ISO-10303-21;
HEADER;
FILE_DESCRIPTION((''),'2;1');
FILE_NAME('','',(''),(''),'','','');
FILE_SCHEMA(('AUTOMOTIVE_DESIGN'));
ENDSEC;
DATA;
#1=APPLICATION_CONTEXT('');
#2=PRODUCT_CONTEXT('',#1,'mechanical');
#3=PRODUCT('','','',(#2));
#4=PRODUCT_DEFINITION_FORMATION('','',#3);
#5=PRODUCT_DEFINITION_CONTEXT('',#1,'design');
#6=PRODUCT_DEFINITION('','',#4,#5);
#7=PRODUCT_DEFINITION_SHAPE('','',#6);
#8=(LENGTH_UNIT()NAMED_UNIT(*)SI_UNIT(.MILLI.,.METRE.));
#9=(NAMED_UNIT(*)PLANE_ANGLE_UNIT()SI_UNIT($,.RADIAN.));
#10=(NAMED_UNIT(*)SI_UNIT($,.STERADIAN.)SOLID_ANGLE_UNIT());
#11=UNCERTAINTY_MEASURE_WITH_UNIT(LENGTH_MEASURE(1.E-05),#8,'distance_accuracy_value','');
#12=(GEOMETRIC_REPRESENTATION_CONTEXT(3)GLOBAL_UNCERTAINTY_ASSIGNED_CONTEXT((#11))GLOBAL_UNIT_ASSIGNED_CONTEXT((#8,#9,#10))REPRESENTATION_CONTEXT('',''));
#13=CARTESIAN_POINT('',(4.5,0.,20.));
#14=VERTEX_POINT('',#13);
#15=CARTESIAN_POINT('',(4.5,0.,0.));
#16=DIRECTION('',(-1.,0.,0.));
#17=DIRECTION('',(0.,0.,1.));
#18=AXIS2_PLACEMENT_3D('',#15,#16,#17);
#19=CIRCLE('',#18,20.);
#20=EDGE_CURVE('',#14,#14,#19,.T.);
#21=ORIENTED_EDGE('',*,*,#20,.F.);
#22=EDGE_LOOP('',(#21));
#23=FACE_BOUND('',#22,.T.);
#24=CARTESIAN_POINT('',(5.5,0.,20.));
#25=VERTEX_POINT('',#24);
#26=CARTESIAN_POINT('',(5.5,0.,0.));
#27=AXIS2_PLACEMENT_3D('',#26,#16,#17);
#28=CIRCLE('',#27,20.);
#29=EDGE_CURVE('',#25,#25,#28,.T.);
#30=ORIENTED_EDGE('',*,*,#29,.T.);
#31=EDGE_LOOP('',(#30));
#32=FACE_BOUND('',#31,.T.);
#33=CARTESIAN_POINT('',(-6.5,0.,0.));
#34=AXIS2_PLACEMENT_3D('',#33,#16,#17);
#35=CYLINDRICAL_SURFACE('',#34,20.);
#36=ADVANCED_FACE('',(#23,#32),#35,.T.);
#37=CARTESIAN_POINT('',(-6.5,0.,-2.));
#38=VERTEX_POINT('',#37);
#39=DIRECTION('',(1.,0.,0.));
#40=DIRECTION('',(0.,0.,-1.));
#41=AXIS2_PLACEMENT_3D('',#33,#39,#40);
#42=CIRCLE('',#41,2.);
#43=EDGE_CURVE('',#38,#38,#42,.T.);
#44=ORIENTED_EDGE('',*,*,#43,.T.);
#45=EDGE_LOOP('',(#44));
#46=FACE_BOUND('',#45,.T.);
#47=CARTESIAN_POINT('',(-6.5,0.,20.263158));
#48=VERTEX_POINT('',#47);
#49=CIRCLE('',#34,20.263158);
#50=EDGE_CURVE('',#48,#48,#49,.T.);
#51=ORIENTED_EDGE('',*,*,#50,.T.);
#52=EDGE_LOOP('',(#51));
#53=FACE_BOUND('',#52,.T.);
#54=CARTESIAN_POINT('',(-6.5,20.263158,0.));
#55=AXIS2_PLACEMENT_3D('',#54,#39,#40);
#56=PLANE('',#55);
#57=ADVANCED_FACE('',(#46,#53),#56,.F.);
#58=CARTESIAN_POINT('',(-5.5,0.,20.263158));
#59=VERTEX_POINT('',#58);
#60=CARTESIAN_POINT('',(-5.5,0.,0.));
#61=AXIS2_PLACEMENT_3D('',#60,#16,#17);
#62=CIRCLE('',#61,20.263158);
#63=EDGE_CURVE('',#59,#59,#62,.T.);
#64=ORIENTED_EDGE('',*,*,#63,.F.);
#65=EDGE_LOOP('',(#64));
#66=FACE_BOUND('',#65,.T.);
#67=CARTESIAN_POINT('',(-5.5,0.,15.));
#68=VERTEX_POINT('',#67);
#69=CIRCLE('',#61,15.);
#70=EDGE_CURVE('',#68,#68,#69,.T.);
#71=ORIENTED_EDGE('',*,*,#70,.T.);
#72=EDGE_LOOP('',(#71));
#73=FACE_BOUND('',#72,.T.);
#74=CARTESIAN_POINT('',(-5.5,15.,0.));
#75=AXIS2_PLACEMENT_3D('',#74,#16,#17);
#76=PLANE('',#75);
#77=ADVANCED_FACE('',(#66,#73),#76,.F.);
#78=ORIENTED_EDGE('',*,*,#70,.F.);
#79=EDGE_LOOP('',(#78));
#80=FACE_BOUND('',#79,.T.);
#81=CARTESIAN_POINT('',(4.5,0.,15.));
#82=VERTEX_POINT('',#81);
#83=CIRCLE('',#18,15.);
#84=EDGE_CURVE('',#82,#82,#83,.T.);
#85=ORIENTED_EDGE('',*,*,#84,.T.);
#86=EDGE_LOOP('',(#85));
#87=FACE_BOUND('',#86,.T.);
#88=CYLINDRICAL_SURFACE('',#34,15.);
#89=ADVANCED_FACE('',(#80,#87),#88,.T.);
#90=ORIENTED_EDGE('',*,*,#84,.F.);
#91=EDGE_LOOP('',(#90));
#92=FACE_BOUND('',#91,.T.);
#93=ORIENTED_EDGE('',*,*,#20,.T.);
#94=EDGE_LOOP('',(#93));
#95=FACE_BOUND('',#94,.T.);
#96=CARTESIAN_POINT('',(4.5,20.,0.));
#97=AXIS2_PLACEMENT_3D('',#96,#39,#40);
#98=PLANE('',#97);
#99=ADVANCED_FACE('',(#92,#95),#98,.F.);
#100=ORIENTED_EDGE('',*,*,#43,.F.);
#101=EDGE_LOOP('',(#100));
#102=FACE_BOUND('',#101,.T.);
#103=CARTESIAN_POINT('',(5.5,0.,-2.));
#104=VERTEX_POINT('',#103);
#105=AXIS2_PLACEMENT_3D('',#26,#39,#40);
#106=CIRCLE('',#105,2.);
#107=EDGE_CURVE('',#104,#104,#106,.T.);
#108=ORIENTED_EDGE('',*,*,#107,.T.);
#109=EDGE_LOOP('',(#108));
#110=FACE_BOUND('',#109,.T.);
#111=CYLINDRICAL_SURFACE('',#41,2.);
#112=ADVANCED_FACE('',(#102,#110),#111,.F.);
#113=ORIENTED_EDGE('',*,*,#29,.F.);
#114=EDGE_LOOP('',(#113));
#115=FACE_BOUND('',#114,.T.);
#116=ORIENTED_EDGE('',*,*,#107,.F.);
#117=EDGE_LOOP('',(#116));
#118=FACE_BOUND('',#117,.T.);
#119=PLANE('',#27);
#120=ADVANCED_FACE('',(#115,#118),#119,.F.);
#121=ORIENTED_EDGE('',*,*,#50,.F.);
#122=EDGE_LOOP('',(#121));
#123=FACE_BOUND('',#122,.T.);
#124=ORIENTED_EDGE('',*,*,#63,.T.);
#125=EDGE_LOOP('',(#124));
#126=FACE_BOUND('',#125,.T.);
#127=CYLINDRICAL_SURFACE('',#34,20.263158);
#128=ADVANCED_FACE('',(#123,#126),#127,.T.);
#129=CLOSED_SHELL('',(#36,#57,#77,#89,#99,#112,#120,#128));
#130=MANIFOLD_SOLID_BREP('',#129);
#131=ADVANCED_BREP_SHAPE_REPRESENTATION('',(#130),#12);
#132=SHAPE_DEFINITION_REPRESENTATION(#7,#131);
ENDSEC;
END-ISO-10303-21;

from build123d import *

# Parameters (mm, degrees)
ESQUISSE2_R             = 2
ENL_V_MAT_EXTRU_1_DEPTH = 32.06752542


with BuildPart() as part:
    # Esquisse1 → Révolution1 (revolve)
    with BuildSketch(Plane.XY, mode=Mode.PRIVATE) as r_volution1_sk:
        Polygon((0, 0), (5.5, 0), (5.5, 20), (4.5, 20), (4.5, 15), (-5.5, 15), (-5.5, 20.263157895), (-6.5, 20.263157895), (-6.5, 0), align=None)
    revolve(r_volution1_sk.sketch.rotate(Axis((-6.5, 0, 0), (1, 0, 0)), 90), axis=Axis((-6.5, 0, 0), (1, 0, 0)))

    # Esquisse2 → Enlèv. mat.-Extru.1 (cut, through all)
    with BuildSketch(Plane(origin=(5.5, 0, 0), x_dir=(0, 0, -1), z_dir=(1, 0, 0))):
        Circle(ESQUISSE2_R)
    extrude(amount=-ENL_V_MAT_EXTRU_1_DEPTH, mode=Mode.SUBTRACT)


solid = part.part
